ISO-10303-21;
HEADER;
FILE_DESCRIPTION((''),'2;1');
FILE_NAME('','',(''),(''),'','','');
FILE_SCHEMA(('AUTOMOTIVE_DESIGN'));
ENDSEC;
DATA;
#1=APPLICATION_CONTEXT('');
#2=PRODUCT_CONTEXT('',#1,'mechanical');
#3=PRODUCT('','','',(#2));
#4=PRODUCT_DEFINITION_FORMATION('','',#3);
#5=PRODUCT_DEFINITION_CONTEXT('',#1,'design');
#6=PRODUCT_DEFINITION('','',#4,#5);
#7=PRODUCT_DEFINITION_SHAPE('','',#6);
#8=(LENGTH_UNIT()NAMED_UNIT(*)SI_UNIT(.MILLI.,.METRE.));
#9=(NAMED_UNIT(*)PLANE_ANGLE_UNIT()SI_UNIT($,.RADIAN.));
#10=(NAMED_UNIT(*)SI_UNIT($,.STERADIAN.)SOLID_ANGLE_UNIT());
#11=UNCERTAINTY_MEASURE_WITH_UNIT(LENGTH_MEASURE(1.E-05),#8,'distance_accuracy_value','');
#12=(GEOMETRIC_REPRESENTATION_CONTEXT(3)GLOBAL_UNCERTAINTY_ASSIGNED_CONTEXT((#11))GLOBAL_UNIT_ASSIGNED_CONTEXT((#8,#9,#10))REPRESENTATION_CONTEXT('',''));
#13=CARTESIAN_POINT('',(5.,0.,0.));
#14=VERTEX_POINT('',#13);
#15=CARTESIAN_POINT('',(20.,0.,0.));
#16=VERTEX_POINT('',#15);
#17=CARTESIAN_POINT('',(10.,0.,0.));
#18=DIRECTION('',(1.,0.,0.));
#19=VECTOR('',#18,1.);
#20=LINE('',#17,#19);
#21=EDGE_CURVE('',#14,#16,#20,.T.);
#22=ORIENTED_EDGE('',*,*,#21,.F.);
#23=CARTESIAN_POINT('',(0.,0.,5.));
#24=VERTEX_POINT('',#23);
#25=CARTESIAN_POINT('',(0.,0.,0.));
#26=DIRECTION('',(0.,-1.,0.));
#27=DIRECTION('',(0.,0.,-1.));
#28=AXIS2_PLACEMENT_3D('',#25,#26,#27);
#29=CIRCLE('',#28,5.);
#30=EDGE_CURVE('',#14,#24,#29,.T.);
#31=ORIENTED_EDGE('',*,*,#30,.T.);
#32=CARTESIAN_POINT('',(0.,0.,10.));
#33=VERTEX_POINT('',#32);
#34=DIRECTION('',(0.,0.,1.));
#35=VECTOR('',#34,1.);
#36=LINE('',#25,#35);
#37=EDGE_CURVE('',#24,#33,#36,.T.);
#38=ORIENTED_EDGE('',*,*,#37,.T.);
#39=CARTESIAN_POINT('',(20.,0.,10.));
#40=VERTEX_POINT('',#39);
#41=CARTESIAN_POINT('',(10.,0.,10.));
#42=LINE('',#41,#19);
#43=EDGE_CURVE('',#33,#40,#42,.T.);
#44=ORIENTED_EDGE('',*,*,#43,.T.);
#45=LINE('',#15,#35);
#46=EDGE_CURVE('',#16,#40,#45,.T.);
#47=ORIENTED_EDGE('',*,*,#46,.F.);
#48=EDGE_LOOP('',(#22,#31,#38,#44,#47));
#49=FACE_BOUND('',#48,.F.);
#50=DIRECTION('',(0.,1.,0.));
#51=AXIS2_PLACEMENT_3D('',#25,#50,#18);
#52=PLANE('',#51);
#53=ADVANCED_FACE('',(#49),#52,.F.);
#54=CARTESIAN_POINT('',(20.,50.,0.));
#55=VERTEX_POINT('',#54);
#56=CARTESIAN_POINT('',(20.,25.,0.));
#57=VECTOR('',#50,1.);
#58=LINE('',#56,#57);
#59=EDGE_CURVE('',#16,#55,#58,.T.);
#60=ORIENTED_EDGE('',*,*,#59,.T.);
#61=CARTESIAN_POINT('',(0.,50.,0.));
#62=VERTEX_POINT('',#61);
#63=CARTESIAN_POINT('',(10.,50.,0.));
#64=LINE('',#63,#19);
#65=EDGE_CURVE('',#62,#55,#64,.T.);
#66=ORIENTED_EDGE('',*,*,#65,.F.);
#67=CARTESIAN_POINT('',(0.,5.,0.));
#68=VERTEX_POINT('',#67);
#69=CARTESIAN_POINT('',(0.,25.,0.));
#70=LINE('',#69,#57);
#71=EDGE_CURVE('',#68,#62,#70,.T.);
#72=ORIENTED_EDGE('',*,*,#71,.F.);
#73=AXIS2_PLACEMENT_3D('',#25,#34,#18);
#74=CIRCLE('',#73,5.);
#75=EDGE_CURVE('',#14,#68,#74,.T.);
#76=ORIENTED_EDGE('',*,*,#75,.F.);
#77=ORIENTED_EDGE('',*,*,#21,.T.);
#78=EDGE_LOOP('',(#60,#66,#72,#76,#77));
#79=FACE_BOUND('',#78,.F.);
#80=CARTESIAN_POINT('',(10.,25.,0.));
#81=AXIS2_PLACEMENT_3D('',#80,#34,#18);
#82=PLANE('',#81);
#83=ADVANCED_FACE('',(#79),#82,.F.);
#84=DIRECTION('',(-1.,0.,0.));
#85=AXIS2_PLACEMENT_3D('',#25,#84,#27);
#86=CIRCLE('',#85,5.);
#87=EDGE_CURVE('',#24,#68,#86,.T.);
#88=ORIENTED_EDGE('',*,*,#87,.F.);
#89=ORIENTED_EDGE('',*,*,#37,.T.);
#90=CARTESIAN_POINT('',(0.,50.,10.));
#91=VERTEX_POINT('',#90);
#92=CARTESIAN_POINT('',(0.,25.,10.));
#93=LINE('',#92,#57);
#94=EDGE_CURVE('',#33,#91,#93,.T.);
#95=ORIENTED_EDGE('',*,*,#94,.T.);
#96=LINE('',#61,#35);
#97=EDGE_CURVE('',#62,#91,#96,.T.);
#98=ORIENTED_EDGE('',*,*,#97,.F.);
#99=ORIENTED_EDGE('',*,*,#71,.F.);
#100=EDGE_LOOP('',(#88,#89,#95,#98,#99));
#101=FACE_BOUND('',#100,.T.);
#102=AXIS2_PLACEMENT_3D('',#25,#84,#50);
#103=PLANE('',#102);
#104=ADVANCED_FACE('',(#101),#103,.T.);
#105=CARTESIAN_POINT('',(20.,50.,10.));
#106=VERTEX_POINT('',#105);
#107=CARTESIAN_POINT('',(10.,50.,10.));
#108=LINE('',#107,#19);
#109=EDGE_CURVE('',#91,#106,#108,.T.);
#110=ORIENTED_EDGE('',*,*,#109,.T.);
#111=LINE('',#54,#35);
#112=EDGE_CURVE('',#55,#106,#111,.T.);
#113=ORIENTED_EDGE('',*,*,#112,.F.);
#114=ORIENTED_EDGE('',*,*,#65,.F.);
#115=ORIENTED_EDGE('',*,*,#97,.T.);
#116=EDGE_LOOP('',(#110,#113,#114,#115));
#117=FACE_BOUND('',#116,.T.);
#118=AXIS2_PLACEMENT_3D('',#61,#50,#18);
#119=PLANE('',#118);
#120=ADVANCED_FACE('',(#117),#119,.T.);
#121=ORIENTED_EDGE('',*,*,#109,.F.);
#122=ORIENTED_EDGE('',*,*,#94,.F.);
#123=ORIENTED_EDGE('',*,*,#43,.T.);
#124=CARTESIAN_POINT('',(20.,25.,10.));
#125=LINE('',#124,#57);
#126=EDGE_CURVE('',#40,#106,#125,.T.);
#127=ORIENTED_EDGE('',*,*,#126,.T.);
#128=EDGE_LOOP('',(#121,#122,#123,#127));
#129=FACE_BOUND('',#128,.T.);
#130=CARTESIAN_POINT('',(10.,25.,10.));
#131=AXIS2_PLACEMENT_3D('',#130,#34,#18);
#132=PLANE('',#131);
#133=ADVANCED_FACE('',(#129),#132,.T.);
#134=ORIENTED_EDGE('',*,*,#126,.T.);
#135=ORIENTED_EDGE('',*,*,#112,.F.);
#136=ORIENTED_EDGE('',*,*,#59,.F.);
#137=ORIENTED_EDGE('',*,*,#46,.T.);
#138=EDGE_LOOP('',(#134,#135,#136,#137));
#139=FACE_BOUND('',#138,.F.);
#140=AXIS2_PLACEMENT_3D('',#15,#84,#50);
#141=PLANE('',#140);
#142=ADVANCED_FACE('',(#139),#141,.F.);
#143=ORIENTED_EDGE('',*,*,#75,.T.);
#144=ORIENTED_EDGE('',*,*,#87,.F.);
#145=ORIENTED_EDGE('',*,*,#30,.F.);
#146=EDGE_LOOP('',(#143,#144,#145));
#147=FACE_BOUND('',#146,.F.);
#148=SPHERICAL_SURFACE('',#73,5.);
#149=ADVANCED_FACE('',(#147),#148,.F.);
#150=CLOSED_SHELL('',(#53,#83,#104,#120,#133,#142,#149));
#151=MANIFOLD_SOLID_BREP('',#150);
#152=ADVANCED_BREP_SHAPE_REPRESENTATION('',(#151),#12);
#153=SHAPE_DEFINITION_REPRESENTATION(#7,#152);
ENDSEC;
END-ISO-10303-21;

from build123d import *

# Parameters (mm, degrees)
BOX_W     = 20
BOX_H     = 50
BOX_DEPTH = 10


with BuildPart() as sphere:
    # Sphere → Sphere (revolve)
    with BuildSketch(Plane.XZ):
        with BuildLine():
            ThreePointArc((0, -5), (5, 0), (0, 5))
            Line((0, 5), (0, -5))
        make_face()
    revolve(axis=Axis((0, 0, 0), (0, 0, 1)))


with BuildPart() as cut:
    # Box → Box (new body)
    with BuildSketch(Plane.XY):
        with Locations((10, 25)):
            Rectangle(BOX_W, BOX_H)
    extrude(amount=BOX_DEPTH)

    # Cut: cut Sphere
    add(sphere.part, mode=Mode.SUBTRACT)


solid = cut.part
